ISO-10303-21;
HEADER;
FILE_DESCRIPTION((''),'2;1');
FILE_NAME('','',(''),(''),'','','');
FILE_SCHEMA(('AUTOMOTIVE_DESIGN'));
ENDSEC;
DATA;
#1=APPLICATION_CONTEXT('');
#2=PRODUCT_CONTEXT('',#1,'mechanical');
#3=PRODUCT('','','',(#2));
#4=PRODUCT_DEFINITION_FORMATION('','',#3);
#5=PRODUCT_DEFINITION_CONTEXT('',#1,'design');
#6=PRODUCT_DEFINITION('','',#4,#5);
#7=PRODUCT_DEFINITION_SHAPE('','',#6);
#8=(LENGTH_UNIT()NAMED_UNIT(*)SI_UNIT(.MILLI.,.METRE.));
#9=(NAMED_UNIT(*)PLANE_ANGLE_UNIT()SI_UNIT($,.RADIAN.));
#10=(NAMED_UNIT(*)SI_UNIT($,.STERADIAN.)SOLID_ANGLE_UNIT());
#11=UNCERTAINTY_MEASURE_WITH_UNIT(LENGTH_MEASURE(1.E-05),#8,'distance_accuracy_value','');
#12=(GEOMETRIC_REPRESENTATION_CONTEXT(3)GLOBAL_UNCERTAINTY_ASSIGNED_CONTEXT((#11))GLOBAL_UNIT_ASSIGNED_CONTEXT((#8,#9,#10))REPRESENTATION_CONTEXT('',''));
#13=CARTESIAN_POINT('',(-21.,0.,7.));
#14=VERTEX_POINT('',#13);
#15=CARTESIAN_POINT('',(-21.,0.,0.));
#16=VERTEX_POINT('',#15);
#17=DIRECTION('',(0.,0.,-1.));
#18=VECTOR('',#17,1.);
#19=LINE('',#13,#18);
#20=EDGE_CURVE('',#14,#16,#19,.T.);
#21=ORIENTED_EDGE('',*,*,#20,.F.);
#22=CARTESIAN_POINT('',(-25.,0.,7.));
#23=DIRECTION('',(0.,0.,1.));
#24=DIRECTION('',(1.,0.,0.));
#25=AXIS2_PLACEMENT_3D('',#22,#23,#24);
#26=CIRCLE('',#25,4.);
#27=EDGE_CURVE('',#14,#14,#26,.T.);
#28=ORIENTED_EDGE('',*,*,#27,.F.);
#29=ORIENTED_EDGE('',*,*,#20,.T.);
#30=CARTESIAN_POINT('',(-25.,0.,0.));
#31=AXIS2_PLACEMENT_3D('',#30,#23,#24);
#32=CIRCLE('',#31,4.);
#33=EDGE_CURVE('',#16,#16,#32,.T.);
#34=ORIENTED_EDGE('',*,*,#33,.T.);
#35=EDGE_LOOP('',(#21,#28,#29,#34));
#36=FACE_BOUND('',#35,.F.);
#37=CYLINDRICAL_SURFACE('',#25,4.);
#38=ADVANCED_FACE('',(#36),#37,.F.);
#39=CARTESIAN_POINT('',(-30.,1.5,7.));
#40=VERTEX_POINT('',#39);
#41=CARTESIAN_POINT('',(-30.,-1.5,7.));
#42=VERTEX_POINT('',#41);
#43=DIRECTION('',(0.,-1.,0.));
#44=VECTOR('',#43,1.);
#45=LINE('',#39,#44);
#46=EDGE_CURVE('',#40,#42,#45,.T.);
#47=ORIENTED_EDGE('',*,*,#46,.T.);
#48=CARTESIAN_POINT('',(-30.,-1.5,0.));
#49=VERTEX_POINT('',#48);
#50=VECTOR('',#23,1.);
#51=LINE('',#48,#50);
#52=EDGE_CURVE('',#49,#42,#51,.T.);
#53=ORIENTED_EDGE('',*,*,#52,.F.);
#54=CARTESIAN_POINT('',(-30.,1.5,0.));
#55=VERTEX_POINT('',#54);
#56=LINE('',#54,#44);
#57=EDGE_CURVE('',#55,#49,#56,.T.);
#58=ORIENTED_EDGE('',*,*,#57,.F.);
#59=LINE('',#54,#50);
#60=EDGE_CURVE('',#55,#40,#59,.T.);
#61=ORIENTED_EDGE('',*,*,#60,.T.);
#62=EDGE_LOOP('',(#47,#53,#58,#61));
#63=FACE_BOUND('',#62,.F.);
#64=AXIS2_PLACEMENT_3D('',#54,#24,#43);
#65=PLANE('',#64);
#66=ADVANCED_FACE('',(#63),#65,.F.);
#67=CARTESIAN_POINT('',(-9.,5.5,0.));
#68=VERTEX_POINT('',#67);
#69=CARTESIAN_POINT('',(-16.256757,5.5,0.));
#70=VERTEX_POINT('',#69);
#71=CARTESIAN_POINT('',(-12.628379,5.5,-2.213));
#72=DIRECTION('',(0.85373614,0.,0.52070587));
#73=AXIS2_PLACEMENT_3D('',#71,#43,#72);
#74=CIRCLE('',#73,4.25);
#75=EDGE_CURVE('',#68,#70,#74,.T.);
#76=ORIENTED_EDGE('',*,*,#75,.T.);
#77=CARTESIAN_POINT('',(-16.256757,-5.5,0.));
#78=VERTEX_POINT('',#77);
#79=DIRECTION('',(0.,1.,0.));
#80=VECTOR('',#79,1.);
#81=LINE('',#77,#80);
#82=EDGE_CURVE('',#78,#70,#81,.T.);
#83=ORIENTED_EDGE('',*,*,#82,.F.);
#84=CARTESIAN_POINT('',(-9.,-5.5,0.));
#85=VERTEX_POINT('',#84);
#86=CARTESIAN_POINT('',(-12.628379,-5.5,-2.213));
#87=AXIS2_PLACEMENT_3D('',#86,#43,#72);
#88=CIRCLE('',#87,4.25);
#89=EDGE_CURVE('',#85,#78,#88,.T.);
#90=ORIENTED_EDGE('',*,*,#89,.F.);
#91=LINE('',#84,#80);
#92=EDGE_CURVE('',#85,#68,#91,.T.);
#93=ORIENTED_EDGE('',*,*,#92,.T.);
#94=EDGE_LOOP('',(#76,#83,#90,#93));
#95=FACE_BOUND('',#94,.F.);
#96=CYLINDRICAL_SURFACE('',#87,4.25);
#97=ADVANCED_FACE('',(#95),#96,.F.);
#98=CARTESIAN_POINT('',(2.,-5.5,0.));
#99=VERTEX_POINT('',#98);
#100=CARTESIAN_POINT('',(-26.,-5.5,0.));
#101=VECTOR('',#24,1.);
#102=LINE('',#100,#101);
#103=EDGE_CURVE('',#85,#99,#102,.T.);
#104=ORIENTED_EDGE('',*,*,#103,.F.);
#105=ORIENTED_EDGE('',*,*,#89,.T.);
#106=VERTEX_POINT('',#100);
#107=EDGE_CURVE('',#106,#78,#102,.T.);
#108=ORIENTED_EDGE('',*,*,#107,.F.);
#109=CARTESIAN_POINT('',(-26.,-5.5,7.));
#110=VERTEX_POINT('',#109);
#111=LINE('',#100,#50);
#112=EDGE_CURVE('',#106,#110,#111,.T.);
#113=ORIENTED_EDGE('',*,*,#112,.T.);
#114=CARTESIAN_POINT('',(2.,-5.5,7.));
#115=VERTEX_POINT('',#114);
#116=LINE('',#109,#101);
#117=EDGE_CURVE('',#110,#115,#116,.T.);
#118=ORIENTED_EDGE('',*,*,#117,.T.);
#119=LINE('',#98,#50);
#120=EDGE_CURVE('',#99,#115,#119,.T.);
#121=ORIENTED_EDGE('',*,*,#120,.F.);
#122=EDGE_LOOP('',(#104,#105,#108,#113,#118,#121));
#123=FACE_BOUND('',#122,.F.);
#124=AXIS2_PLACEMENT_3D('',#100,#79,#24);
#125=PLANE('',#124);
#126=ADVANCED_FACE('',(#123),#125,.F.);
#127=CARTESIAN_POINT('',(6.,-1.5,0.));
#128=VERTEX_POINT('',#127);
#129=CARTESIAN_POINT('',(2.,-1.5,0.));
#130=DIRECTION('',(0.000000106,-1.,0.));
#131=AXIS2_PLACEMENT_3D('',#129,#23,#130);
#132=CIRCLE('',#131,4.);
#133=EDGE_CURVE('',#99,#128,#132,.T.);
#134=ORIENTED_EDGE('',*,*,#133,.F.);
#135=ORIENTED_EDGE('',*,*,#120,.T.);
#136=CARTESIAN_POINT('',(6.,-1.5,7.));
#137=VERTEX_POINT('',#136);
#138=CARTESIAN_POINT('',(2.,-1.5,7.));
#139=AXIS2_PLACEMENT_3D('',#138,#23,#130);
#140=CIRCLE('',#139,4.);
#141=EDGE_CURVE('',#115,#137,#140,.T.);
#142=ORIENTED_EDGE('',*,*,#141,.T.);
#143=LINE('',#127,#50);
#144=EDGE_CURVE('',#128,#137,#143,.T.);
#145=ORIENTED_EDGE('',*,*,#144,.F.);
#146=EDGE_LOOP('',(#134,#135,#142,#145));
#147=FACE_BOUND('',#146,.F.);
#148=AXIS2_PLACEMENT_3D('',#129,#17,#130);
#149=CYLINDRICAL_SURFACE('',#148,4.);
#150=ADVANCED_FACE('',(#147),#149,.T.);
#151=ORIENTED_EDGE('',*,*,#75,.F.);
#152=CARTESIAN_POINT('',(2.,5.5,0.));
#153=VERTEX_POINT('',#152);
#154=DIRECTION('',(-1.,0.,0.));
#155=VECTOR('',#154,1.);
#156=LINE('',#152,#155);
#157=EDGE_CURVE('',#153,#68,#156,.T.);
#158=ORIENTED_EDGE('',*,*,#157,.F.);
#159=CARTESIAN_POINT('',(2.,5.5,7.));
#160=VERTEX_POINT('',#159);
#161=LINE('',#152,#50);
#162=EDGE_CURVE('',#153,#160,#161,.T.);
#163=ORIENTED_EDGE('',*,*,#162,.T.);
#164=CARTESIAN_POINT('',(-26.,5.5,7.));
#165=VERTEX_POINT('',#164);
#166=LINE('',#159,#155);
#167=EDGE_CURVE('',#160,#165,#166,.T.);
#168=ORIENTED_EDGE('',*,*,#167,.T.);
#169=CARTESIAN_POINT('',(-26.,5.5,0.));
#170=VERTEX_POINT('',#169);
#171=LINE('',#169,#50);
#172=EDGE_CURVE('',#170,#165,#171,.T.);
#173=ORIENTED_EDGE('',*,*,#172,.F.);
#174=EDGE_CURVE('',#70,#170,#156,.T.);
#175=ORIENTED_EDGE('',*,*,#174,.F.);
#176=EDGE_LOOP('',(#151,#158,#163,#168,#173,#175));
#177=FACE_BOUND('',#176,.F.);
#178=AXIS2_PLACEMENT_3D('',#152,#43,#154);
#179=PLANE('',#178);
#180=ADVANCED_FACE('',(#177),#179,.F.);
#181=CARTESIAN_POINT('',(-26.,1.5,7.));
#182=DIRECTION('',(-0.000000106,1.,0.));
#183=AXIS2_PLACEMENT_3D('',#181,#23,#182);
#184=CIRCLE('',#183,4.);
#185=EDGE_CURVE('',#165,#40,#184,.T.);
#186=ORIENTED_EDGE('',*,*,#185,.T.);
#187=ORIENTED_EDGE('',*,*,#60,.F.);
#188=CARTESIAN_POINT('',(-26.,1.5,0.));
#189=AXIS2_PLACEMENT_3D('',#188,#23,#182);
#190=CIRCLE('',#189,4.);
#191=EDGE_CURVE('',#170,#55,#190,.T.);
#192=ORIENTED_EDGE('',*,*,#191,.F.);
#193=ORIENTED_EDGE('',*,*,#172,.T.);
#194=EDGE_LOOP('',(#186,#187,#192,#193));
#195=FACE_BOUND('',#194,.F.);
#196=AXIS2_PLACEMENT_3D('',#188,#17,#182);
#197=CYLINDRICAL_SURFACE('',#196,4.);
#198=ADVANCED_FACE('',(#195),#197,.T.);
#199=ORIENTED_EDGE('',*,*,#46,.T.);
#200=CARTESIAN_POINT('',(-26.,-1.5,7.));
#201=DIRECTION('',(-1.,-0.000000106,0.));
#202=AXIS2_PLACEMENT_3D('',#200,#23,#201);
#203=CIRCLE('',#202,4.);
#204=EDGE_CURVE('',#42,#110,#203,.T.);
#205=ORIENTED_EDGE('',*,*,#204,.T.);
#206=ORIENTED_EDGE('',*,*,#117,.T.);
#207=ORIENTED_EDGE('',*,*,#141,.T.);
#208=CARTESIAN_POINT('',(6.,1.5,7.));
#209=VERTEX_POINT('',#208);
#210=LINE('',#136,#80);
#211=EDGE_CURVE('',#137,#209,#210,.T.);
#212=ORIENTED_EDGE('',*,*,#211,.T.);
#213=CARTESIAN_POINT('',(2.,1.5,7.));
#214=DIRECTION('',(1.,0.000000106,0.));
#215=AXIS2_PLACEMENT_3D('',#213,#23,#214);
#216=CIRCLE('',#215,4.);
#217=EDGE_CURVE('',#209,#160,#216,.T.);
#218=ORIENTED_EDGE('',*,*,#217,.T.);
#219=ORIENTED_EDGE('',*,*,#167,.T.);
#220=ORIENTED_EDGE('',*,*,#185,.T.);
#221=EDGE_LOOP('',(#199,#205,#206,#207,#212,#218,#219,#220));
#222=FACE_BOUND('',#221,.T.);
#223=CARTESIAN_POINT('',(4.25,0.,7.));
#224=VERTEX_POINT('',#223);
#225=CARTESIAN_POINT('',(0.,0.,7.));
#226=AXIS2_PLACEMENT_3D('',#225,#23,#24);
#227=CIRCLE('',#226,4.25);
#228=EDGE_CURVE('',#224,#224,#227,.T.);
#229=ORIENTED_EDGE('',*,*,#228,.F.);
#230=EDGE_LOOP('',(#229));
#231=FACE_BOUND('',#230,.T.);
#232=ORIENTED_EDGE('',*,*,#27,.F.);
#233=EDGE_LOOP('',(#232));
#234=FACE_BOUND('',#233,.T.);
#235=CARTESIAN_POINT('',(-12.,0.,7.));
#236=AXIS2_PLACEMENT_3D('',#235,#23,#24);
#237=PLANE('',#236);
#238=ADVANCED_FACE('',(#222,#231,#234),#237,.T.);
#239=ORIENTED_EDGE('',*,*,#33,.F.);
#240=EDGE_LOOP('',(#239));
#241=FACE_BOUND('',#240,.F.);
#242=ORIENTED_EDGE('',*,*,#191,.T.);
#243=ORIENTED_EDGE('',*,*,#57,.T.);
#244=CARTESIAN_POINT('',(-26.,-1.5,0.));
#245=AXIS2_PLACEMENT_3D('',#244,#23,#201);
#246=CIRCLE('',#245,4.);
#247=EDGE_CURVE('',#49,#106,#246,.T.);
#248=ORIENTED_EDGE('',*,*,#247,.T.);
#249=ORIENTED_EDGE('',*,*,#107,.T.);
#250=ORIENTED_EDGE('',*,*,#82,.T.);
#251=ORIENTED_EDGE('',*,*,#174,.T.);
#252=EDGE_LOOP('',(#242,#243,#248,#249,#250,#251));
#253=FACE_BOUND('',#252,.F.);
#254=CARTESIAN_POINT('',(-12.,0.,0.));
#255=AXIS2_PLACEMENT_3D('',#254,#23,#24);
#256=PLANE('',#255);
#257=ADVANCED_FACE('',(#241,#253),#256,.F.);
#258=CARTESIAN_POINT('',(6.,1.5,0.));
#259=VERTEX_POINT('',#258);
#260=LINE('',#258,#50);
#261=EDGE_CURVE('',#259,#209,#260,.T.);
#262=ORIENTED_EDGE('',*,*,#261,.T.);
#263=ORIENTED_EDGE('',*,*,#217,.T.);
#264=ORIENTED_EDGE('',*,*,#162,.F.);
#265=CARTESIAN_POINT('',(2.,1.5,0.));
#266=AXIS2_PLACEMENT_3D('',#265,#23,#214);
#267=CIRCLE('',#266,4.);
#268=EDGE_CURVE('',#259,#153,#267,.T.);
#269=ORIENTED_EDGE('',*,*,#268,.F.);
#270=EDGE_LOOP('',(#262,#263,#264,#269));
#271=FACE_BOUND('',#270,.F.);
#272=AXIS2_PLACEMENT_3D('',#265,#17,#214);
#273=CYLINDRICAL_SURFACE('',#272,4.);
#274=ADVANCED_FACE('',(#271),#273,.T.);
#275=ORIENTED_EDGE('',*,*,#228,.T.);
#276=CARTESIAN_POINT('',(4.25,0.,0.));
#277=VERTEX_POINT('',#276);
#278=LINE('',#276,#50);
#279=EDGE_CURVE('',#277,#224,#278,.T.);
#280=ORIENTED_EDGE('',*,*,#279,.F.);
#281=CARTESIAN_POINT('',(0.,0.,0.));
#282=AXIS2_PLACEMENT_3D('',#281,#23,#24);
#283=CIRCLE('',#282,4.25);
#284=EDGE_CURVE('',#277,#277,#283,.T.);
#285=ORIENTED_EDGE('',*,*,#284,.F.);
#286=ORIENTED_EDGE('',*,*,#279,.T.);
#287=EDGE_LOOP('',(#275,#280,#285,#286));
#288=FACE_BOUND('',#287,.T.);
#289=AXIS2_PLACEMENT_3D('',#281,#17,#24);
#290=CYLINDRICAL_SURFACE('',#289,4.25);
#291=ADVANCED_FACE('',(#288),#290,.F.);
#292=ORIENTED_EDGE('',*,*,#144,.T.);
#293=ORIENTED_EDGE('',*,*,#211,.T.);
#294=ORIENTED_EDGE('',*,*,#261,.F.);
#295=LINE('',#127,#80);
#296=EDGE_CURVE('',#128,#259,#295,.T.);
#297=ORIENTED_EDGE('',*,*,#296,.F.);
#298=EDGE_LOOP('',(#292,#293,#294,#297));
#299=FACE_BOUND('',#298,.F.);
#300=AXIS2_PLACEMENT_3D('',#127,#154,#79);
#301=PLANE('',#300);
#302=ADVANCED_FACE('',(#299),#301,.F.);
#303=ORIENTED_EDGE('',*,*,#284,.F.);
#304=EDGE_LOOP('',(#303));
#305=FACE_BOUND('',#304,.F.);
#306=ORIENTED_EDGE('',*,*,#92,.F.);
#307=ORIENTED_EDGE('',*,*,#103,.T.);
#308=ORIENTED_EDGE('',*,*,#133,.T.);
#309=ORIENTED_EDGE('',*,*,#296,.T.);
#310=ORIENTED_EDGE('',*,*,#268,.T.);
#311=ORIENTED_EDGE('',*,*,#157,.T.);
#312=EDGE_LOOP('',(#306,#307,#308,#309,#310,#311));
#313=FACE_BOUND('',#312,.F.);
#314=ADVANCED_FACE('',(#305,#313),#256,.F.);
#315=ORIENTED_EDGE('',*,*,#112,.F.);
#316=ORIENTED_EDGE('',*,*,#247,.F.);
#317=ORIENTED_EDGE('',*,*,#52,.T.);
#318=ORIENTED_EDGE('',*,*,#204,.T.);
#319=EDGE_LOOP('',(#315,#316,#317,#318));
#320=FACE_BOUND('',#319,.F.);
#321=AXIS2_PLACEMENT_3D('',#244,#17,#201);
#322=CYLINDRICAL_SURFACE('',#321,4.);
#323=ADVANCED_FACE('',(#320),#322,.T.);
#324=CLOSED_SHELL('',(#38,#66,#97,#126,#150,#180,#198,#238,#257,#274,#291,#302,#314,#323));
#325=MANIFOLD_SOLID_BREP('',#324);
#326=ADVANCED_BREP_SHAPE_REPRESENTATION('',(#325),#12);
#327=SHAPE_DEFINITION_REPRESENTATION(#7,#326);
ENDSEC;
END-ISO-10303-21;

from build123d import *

# Parameters (mm, degrees)
F0_R     = 4.25
F1_DEPTH = 7
F3_DEPTH = 25
F4_R     = 4
F5_DEPTH = 25


with BuildPart() as f1:
    # F0 (on Top) → F1 (new body)
    with BuildSketch(Plane.XY):
        with BuildLine():
            Line((2, 5.5), (-26, 5.5))
            ThreePointArc((-26, 5.5), (-28.828427, 4.328427), (-30, 1.5))
            Line((-30, 1.5), (-30, -1.5))
            ThreePointArc((-30, -1.5), (-28.828427, -4.328427), (-26, -5.5))
            Line((-26, -5.5), (2, -5.5))
            ThreePointArc((2, -5.5), (4.828427, -4.328427), (6, -1.5))
            Line((6, -1.5), (6, 1.5))
            ThreePointArc((6, 1.5), (4.828427, 4.328427), (2, 5.5))
        make_face()
        Circle(F0_R, mode=Mode.SUBTRACT)
    extrude(amount=F1_DEPTH)

    # F2 (on face) → F3 (cut)
    with BuildSketch(Plane.XZ.offset(5.5)):
        with BuildLine():
            Line((-16.256757, 0), (-9, 0))
            ThreePointArc((-9, 0), (-12.628379, 2.037), (-16.256757, 0))
        make_face()
    extrude(amount=-F3_DEPTH, mode=Mode.SUBTRACT)

    # F4 (on face) → F5 (cut)
    with BuildSketch(Plane.XY.offset(7)):
        with Locations((-25, 0)):
            Circle(F4_R)
    extrude(amount=-F5_DEPTH, mode=Mode.SUBTRACT)


solid = f1.part
